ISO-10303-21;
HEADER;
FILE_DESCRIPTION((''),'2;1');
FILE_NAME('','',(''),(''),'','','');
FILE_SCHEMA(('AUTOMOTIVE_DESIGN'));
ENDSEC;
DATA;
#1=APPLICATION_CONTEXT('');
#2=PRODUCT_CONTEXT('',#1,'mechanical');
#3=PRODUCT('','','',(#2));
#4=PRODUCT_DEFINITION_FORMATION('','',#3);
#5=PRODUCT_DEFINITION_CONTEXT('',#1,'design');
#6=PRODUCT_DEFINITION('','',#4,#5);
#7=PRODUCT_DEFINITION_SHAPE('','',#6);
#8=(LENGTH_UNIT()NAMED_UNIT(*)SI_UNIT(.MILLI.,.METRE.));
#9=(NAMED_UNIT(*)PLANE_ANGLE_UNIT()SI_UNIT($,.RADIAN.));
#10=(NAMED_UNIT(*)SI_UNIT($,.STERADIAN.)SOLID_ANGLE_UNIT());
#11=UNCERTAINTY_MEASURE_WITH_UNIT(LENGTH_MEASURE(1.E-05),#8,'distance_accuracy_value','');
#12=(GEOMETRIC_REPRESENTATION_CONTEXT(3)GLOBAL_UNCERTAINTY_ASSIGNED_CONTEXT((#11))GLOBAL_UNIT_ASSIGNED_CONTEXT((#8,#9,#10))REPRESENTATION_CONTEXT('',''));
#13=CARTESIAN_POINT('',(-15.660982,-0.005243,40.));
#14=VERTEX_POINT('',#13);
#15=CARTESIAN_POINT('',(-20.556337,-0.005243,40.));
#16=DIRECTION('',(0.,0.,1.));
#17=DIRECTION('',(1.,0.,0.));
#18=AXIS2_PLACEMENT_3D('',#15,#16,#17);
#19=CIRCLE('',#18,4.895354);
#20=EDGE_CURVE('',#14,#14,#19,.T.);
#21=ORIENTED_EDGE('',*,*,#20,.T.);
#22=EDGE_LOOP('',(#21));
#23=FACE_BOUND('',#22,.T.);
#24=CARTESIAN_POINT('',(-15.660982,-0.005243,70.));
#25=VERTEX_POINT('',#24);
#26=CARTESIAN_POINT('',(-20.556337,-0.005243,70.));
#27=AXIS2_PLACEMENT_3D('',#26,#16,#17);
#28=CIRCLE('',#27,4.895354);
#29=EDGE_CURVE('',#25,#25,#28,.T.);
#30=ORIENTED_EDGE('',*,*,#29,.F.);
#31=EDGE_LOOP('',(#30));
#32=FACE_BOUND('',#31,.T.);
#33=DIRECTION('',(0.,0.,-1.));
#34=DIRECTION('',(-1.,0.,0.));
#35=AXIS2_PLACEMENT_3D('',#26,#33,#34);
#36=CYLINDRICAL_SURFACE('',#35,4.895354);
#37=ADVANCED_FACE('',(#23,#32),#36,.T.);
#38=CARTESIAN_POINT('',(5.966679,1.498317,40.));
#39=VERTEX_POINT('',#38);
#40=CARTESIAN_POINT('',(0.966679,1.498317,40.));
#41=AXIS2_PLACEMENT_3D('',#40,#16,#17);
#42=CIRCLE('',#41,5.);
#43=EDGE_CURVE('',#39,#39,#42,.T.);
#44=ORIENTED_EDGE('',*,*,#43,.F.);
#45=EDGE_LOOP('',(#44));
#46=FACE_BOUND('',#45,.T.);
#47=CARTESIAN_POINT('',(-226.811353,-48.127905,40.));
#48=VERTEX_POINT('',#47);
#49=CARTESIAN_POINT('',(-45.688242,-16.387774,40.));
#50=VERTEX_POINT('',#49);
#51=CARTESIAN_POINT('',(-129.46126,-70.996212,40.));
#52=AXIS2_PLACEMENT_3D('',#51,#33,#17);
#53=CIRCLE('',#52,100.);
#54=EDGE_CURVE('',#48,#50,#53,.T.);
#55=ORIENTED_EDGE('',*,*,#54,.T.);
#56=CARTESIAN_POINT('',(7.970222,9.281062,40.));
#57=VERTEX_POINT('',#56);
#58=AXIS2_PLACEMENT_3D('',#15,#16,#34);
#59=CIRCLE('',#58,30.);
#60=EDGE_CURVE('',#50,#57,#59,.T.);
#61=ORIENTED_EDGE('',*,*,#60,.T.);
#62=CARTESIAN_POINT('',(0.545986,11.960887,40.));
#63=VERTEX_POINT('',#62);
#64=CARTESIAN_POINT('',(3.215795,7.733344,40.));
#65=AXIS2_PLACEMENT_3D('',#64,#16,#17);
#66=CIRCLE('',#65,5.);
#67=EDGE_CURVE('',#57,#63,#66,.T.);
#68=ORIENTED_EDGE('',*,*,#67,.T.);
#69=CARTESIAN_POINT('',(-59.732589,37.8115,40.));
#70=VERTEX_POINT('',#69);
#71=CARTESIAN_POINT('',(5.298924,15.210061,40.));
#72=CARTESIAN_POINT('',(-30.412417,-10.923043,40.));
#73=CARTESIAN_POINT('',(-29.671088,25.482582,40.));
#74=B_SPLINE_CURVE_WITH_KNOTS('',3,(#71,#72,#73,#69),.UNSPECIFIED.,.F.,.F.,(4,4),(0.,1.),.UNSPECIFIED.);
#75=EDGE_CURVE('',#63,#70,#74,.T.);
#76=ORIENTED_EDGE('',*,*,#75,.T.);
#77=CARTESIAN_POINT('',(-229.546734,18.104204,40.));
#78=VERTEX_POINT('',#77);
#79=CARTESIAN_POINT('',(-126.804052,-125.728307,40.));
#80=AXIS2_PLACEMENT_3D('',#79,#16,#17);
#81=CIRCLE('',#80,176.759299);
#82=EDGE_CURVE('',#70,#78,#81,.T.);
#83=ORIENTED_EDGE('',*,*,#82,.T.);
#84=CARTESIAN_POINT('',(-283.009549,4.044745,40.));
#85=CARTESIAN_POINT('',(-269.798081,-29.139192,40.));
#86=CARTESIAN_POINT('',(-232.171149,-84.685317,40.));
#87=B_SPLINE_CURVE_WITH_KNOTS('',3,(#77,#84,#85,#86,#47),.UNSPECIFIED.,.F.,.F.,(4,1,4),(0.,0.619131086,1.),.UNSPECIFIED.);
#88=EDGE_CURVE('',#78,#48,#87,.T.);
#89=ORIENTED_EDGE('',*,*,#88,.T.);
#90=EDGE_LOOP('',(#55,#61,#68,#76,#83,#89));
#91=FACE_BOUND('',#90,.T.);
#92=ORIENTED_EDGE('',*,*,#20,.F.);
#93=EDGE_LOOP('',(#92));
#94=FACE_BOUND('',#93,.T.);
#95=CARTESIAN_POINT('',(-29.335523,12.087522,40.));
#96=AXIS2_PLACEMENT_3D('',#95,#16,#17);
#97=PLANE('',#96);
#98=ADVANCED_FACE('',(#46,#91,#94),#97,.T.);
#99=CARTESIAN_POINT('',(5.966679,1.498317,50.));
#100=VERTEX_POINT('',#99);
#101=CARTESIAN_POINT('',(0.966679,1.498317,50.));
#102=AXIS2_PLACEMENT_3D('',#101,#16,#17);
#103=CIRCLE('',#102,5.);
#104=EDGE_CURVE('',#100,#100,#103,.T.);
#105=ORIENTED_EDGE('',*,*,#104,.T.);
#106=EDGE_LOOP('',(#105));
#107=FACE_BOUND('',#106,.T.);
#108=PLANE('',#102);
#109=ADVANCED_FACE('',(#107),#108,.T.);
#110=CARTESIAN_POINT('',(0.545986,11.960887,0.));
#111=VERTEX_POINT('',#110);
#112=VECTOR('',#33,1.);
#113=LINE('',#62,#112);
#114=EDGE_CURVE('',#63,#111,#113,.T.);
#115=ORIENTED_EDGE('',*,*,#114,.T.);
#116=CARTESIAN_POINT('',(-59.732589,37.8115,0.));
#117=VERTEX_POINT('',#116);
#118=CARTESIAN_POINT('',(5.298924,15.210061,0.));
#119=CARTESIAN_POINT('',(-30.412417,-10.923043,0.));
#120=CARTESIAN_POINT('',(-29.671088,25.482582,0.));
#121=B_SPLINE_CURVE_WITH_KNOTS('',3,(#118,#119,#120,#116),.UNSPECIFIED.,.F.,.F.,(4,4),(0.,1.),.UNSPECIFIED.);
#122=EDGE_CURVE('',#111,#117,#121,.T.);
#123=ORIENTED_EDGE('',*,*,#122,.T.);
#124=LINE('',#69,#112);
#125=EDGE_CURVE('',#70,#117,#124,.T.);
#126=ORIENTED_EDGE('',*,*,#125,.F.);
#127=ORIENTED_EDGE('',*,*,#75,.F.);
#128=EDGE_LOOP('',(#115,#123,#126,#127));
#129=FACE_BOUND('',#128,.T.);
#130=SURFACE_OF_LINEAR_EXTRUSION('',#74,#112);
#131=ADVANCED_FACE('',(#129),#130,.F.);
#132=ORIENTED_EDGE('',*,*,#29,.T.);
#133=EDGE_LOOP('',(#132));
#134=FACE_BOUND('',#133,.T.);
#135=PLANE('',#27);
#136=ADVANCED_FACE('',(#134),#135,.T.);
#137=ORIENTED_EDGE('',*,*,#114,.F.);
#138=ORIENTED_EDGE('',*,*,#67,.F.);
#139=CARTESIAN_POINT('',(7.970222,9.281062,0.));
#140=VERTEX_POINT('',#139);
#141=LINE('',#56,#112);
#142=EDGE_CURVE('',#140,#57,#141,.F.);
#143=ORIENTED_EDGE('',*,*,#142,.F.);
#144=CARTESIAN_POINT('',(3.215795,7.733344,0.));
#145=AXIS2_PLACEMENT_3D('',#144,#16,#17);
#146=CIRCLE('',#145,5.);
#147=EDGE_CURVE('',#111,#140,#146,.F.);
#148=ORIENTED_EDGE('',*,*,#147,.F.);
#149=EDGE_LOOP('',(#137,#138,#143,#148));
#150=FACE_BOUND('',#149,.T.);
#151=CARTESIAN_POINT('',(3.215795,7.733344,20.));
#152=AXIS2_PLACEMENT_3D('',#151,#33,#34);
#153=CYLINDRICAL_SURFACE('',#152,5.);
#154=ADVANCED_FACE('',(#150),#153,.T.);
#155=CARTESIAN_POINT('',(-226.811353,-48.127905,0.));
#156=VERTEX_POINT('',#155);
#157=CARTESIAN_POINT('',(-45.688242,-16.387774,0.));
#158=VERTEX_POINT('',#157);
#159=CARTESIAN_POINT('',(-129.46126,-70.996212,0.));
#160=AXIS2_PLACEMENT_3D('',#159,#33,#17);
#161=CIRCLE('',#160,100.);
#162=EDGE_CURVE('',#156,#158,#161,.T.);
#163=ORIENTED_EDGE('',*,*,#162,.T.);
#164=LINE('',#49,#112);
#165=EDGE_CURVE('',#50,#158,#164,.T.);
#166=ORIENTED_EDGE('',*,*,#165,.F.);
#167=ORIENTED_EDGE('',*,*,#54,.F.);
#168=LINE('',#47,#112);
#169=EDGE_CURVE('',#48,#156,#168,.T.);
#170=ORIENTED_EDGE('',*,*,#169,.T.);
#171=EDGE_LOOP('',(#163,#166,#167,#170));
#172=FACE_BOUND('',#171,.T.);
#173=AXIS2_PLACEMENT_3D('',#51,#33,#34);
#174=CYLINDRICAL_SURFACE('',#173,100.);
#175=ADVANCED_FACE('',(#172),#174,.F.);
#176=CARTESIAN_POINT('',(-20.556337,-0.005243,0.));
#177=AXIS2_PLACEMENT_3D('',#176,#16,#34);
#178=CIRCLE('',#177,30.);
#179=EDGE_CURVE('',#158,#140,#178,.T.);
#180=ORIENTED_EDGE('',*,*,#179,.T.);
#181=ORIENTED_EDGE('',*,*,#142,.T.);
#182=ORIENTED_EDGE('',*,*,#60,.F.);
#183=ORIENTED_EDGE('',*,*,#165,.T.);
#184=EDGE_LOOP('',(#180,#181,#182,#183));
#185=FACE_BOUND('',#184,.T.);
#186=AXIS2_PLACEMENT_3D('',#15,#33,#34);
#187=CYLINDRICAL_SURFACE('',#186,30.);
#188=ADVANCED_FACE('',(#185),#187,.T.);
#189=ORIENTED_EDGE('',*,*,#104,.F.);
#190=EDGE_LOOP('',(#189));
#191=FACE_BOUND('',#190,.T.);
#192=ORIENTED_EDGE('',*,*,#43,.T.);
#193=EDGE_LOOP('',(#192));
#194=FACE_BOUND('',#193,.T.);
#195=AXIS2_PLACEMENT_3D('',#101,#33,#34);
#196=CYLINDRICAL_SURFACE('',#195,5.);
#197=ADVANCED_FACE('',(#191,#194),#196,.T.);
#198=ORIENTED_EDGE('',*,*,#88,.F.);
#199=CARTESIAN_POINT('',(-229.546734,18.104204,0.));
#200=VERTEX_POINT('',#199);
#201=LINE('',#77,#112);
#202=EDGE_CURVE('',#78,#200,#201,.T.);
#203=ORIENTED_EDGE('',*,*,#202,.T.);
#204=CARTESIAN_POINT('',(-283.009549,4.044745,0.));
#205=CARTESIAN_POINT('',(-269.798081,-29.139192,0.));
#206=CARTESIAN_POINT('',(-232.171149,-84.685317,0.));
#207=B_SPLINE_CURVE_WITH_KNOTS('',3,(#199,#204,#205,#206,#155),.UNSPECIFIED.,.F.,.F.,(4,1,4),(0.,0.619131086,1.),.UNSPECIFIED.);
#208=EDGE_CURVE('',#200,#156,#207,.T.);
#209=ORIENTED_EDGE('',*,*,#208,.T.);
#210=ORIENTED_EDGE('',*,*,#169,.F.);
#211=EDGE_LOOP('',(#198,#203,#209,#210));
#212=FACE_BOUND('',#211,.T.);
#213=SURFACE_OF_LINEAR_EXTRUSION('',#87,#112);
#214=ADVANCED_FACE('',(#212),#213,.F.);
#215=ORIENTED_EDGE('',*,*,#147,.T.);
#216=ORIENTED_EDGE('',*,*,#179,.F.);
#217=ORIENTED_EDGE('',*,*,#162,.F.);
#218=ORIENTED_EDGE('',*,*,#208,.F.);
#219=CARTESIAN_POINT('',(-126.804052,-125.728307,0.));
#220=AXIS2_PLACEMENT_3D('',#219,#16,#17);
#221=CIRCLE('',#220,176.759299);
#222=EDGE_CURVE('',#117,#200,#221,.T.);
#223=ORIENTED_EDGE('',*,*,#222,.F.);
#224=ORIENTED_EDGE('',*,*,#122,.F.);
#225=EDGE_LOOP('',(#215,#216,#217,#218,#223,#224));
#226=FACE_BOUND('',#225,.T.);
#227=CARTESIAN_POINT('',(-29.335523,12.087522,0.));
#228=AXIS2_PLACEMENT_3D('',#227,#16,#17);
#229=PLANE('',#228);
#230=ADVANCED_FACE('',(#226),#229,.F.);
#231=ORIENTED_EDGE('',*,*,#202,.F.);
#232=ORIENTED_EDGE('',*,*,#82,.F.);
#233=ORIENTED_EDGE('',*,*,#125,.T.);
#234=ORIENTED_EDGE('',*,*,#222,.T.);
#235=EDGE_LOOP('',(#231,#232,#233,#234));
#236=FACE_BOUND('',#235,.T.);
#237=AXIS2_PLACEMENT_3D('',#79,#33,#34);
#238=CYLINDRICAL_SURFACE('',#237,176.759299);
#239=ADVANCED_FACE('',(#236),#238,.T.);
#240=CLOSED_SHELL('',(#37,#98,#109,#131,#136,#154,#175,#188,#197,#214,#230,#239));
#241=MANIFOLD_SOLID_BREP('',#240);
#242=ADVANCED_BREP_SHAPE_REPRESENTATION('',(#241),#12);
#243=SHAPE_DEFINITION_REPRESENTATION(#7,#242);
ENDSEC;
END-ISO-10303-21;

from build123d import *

# Parameters (mm, degrees)
EXTRUDE_1_DEPTH = 40
FILLET_1_R      = 5
SKETCH_2_R      = 5
EXTRUDE_2_DEPTH = 10
SKETCH_3_R      = 4.895354235
EXTRUDE_3_DEPTH = 30


with BuildPart() as part:
    # 草图1 → 凸台-拉伸1 (new body)
    with BuildSketch(Plane.XY):
        with BuildLine():
            ThreePointArc((5.298924233, 15.21006088), (-4.753279677, -25.505505888), (-45.688242176, -16.387774488))
            ThreePointArc((-45.688242176, -16.387774488), (-146.722291952, 27.502807651), (-226.811353191, -48.127904925))
            add(Edge.make_bspline(
                [(-226.811353191, -48.127904925), (-232.171148588, -84.685316591), (-269.798080997, -29.139192175), (-283.009548959, 4.044745309), (-229.546733983, 18.104203538)],
                knots=[0, 0, 0, 0, 0.380868914, 1, 1, 1, 1], degree=3))
            ThreePointArc((-229.546733983, 18.104203538), (-147.18059155, 49.852575787), (-59.732589489, 37.811500446))
            add(Edge.make_bspline(
                [(5.298924233, 15.21006088), (-30.412417087, -10.923043058), (-29.671088016, 25.482582404), (-59.732589489, 37.811500446)],
                knots=[0, 0, 0, 0, 1, 1, 1, 1], degree=3))
        make_face()
    extrude(amount=EXTRUDE_1_DEPTH)

    # 圆角1
    fillet_1_edges = [part.edges().sort_by_distance(p)[0] for p in [
        (5.298924233, 15.21006088, 20),
    ]]
    fillet(fillet_1_edges, radius=FILLET_1_R)

    # 草图2 → 凸台-拉伸2 (add)
    with BuildSketch(Plane(origin=(3.130153076, 1.250725173, 40), x_dir=(1, 0, 0), z_dir=(0, 0, 1))):
        with Locations((-2.163474259, 0.247591508)):
            Circle(SKETCH_2_R)
    extrude(amount=EXTRUDE_2_DEPTH)

    # 草图3 → 凸台-拉伸3 (add)
    with BuildSketch(Plane.XY.offset(40)):
        with Locations((-20.556336683, -0.005243355)):
            Circle(SKETCH_3_R)
    extrude(amount=EXTRUDE_3_DEPTH)


solid = part.part
